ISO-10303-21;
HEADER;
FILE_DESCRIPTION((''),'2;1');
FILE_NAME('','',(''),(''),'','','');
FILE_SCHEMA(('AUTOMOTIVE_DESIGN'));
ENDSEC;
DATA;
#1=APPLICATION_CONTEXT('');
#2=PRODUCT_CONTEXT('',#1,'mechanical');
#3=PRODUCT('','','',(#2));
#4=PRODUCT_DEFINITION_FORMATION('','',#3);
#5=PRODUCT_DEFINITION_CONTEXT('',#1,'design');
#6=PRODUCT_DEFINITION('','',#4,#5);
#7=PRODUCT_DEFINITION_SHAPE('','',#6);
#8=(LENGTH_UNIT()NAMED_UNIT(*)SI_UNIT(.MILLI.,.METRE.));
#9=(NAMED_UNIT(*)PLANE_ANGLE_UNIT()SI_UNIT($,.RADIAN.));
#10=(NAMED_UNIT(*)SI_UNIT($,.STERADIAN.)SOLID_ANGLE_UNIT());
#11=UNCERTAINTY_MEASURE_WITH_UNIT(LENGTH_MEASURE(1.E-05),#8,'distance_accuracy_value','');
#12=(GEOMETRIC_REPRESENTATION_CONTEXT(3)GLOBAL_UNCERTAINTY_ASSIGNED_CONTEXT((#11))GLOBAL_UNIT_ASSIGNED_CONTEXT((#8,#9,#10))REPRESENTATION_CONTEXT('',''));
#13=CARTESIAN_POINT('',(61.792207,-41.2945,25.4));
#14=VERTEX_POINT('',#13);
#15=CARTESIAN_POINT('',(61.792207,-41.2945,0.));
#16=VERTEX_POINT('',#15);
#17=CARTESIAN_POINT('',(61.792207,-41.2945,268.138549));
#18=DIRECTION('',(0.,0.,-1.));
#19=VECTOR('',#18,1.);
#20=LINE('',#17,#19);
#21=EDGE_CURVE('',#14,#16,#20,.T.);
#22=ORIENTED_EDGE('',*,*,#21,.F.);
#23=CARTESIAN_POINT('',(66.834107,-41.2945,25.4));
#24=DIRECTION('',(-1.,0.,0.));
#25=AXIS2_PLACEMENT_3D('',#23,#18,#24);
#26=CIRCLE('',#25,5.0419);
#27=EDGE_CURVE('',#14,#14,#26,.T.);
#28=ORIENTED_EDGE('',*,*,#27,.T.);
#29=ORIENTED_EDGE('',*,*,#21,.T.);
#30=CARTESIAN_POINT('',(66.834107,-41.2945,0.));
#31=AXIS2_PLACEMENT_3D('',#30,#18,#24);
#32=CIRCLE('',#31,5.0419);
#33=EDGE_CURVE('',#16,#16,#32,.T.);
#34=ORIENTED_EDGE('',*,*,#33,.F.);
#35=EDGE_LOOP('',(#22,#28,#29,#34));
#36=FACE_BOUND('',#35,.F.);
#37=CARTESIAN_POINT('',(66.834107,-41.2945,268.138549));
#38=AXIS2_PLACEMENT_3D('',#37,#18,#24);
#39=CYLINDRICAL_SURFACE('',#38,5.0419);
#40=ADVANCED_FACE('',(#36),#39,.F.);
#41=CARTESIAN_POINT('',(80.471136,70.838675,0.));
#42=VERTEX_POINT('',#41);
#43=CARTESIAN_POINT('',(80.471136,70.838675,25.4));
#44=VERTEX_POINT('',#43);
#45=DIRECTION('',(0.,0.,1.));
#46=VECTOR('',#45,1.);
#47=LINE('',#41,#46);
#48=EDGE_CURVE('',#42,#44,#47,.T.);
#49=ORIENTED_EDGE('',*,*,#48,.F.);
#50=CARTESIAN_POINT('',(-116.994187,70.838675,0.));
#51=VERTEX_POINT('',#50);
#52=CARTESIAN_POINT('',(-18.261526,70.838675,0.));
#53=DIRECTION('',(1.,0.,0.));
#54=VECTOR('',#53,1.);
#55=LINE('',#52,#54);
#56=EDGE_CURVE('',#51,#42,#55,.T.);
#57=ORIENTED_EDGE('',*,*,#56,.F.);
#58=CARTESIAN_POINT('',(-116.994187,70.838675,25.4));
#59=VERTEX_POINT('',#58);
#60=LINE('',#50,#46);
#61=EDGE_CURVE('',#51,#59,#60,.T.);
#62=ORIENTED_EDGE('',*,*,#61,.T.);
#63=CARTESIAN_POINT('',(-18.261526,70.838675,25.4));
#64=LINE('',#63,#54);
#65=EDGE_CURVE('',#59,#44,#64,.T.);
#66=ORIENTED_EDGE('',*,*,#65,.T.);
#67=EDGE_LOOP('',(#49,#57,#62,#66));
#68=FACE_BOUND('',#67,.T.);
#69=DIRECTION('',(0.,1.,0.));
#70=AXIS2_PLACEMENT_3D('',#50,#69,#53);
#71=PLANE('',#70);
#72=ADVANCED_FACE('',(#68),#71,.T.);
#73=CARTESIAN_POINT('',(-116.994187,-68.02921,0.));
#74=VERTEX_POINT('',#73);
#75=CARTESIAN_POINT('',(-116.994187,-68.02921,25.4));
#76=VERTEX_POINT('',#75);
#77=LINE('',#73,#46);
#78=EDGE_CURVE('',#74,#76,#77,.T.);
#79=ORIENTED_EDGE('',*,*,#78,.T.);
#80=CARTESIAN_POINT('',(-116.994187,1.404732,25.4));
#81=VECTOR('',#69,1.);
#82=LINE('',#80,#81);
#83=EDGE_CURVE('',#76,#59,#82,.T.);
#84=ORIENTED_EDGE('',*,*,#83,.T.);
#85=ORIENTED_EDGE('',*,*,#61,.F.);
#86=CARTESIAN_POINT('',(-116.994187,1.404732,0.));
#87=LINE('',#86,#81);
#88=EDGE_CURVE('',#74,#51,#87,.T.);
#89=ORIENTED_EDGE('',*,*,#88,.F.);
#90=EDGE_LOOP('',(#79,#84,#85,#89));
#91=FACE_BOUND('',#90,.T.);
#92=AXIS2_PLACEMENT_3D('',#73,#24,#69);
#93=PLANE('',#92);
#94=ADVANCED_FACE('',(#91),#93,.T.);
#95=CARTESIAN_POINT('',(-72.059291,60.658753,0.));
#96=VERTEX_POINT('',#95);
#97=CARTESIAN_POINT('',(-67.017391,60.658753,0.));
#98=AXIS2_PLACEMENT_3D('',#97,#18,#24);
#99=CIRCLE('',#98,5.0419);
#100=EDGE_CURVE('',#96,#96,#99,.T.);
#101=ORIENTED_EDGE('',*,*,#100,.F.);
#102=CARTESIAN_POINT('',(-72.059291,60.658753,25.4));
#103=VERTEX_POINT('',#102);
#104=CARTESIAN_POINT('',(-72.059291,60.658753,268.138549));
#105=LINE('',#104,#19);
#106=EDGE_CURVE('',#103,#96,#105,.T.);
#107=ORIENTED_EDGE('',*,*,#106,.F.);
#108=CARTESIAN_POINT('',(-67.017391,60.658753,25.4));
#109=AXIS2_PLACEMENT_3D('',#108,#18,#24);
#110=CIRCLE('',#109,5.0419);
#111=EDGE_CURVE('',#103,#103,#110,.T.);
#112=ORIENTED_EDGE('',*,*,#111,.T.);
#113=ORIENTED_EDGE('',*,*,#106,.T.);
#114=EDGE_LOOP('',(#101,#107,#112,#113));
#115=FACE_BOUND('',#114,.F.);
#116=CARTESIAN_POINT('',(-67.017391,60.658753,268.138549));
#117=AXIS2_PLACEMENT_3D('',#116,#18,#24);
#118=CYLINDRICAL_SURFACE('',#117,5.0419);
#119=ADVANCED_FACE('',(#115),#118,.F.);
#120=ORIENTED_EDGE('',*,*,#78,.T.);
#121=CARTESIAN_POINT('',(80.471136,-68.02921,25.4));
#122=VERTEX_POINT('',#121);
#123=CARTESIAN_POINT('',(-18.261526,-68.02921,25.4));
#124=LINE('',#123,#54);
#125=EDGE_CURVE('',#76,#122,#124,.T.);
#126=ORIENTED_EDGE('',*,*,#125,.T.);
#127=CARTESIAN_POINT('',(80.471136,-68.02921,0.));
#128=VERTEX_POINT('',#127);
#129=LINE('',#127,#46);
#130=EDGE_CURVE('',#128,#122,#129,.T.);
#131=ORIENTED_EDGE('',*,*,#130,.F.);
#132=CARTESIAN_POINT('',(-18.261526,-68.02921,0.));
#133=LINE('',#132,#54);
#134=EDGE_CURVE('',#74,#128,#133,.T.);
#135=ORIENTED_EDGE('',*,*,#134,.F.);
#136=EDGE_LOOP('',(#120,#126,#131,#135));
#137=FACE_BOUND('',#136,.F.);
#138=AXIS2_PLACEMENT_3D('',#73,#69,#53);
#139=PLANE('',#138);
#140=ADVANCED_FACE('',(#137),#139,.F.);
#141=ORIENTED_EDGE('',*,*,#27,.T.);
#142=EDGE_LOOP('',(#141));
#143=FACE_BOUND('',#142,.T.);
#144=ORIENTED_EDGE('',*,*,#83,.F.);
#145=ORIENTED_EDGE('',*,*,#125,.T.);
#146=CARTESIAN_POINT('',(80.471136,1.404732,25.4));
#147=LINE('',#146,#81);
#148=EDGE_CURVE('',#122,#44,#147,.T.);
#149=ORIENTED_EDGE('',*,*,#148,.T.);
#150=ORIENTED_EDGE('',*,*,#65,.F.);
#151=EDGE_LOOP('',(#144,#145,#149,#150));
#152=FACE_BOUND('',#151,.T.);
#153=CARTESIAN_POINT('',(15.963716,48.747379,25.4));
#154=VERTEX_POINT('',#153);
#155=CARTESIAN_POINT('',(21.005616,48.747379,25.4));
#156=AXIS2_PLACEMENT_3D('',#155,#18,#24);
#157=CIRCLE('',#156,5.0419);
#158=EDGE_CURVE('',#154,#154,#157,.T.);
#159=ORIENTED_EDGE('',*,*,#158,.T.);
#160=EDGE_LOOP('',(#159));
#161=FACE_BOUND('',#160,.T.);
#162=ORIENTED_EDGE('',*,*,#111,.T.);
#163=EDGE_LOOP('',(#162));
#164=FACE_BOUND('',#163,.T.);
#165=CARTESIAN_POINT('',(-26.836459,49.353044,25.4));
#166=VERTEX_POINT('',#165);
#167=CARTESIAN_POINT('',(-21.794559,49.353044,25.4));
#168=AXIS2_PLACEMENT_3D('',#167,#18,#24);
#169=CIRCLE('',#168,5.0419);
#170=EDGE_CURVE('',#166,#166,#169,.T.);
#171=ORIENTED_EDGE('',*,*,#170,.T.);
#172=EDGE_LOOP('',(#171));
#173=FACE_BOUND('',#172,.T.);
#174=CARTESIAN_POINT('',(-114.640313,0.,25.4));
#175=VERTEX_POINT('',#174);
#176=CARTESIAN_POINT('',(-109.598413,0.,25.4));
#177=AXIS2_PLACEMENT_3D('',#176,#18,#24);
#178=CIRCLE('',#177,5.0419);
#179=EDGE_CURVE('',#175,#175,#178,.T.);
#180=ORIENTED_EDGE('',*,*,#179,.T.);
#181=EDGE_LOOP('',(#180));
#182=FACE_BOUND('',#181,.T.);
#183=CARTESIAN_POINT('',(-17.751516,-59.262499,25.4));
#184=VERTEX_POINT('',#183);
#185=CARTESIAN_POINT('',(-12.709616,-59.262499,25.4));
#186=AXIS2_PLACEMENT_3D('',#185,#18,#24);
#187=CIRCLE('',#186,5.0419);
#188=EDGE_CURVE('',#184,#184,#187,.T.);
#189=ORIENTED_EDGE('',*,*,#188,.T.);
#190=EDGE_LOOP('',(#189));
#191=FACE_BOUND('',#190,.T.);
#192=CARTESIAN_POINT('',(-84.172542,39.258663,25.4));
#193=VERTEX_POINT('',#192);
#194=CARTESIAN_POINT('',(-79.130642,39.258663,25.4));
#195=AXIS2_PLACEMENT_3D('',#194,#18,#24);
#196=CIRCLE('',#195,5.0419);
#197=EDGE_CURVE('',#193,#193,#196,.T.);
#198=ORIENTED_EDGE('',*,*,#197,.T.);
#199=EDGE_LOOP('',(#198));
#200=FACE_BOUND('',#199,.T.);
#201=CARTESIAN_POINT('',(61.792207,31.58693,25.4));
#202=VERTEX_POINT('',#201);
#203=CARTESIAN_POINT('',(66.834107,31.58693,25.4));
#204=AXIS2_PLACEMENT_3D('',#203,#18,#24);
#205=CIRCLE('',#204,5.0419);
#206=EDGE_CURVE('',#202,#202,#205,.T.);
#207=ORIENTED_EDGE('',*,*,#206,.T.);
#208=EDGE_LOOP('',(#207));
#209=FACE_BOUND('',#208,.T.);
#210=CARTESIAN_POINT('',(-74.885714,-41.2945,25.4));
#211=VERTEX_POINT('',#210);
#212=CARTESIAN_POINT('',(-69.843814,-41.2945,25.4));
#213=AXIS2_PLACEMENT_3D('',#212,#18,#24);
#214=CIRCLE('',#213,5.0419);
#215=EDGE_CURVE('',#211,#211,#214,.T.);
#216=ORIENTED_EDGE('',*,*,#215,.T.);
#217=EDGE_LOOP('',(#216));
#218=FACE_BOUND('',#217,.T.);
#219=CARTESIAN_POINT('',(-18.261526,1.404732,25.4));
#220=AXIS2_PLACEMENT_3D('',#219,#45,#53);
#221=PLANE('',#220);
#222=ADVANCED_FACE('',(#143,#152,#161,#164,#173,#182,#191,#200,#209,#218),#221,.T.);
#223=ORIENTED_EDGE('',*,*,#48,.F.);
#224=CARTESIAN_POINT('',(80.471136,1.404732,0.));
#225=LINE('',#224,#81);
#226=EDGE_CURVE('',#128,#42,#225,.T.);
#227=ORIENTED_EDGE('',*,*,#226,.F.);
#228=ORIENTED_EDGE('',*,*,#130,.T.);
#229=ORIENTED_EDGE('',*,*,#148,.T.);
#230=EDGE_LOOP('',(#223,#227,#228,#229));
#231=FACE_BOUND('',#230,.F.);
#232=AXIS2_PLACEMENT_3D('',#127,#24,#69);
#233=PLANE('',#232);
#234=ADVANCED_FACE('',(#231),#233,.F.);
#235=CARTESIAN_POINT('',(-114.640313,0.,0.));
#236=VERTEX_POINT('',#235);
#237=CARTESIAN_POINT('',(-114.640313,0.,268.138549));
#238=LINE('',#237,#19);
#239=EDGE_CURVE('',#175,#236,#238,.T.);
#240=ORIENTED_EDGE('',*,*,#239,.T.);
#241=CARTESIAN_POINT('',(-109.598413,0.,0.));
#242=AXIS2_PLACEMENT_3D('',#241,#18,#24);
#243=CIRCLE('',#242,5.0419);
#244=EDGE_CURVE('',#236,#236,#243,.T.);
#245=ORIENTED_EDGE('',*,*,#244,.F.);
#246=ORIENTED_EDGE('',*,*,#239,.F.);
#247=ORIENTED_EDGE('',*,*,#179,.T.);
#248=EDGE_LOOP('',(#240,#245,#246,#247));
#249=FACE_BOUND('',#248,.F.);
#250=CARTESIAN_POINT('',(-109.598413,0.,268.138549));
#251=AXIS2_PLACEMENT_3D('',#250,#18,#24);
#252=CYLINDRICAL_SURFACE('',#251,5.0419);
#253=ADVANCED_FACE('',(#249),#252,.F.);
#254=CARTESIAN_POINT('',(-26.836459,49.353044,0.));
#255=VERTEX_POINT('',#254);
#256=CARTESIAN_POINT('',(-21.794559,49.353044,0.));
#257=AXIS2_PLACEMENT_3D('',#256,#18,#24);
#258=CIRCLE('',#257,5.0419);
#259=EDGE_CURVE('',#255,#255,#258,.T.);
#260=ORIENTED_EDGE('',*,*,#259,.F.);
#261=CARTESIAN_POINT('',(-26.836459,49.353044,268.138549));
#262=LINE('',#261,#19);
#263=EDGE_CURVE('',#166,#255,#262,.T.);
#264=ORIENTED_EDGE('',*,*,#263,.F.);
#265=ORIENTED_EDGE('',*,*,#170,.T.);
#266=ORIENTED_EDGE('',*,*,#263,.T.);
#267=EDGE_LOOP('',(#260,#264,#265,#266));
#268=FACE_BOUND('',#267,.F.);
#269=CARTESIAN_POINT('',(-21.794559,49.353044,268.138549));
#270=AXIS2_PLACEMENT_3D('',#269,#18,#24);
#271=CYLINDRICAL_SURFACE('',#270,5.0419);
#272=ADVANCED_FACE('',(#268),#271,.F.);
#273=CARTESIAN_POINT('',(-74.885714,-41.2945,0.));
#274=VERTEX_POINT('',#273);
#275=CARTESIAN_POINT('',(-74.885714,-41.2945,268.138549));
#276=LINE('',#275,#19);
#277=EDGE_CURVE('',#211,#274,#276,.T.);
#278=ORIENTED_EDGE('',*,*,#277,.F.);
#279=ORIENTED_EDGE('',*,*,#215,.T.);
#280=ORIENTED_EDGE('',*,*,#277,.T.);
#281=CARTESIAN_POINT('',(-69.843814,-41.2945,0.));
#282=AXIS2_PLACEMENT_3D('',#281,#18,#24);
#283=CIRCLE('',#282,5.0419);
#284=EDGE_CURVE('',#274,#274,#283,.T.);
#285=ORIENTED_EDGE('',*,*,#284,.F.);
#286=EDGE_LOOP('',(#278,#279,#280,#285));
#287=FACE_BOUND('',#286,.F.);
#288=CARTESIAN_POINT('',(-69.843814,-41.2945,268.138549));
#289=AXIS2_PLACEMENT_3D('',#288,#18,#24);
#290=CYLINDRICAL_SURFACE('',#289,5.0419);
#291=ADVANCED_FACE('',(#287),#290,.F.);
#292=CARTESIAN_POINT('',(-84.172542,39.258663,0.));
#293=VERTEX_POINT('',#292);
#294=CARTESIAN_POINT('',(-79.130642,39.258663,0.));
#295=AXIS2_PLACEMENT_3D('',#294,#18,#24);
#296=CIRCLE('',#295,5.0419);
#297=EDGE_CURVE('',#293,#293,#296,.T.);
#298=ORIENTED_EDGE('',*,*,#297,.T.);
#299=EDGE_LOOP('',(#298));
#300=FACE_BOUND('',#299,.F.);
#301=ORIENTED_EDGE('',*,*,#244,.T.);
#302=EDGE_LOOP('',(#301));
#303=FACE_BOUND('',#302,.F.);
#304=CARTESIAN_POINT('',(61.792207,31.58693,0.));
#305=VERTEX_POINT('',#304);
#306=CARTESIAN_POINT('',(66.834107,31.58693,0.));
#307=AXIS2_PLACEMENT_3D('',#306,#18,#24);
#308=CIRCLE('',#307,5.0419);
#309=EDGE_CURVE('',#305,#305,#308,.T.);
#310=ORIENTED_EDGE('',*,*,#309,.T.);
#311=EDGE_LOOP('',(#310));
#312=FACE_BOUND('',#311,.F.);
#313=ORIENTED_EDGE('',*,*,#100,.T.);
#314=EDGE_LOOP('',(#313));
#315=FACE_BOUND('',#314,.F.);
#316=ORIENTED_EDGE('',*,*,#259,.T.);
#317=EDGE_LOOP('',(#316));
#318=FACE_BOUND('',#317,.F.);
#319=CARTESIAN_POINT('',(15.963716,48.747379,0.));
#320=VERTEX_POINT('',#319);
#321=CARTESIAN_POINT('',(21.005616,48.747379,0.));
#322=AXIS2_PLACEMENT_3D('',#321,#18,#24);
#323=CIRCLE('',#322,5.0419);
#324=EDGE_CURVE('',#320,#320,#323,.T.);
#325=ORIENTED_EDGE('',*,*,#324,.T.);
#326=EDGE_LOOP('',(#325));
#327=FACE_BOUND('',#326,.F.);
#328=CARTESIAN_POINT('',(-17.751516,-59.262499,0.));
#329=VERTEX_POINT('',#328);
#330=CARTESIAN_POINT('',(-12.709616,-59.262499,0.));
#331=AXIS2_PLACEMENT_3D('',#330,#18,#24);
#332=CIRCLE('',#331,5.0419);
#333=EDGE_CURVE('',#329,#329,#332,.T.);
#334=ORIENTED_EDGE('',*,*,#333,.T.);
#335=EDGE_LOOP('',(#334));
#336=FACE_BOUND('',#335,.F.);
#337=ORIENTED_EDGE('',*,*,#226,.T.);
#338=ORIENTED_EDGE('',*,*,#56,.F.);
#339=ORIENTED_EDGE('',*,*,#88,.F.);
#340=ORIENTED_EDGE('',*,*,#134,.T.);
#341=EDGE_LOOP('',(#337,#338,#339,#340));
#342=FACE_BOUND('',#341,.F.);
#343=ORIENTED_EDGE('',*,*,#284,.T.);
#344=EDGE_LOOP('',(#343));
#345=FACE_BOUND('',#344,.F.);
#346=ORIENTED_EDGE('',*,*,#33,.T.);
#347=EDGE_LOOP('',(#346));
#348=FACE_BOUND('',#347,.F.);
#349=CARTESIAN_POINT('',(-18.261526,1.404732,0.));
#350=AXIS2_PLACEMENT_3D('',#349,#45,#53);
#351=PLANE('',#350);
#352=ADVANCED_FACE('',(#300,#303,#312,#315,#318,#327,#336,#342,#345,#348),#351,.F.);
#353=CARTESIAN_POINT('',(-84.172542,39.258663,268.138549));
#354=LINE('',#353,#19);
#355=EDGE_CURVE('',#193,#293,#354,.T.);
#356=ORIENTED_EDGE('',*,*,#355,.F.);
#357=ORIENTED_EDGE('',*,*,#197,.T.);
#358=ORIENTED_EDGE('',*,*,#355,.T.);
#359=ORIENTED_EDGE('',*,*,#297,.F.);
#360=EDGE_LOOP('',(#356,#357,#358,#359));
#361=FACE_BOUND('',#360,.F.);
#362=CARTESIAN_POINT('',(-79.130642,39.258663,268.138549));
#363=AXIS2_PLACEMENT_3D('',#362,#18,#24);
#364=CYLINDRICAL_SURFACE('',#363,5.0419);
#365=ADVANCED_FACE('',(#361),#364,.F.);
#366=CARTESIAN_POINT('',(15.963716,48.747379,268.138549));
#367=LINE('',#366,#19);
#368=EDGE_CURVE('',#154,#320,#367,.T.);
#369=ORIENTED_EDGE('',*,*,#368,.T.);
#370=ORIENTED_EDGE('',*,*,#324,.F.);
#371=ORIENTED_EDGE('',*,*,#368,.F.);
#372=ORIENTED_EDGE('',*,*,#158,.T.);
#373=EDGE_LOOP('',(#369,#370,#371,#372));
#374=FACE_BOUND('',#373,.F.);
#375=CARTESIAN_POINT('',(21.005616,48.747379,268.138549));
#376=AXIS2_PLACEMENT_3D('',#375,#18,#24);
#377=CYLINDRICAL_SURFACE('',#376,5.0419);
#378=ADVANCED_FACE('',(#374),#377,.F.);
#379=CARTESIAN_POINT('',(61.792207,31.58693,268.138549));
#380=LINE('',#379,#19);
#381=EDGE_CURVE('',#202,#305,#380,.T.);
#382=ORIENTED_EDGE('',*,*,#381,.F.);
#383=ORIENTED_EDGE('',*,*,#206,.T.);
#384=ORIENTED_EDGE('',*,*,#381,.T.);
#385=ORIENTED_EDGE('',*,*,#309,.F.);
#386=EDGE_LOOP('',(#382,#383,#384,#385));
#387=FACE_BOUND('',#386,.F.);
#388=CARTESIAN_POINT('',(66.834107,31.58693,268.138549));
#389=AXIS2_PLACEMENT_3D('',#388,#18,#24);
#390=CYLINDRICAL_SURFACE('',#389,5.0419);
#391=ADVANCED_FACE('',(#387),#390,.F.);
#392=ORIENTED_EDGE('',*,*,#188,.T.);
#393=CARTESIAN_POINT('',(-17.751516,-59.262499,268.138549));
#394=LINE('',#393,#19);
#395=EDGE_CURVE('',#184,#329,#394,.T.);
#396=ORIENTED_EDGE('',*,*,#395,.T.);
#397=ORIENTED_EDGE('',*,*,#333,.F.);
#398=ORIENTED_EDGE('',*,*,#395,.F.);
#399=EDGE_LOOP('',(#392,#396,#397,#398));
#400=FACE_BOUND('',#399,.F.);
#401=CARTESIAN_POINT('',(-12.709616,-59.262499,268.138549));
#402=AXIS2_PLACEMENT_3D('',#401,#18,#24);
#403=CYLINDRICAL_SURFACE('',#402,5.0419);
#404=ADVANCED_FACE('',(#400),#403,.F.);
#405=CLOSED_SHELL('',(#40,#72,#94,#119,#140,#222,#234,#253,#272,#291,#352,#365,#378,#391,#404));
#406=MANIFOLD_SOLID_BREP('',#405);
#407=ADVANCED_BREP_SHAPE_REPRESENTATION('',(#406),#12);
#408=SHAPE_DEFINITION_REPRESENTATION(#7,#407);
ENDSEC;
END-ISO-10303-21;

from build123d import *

# Parameters (mm, degrees)
F0_W     = 197.4653229117
F0_H     = 138.8678848743
F1_DEPTH = 25.4
F3_D     = 10.0838


with BuildPart() as f1:
    # F0 (on Top) → F1 (new body)
    with BuildSketch(Plane.XY):
        with Locations((-18.26152578, 1.4047324657)):
            Rectangle(F0_W, F0_H)
    extrude(amount=F1_DEPTH)

    # F3 (through all)
    with Locations(Plane.XY.offset(25.4)):
        with Locations((-69.843813777, -41.2945002317), (-79.1306421161, 39.2586626112), (-109.5984131098, 0), (66.8341070414, -41.2945002317), (66.8341070414, 31.5869301558), (-21.7945594341, 49.3530444801), (21.005615592, 48.7473793328), (-67.017391324, 60.6587529182), (-12.7096157521, -59.2624992132)):
            Hole(F3_D / 2)


solid = f1.part
